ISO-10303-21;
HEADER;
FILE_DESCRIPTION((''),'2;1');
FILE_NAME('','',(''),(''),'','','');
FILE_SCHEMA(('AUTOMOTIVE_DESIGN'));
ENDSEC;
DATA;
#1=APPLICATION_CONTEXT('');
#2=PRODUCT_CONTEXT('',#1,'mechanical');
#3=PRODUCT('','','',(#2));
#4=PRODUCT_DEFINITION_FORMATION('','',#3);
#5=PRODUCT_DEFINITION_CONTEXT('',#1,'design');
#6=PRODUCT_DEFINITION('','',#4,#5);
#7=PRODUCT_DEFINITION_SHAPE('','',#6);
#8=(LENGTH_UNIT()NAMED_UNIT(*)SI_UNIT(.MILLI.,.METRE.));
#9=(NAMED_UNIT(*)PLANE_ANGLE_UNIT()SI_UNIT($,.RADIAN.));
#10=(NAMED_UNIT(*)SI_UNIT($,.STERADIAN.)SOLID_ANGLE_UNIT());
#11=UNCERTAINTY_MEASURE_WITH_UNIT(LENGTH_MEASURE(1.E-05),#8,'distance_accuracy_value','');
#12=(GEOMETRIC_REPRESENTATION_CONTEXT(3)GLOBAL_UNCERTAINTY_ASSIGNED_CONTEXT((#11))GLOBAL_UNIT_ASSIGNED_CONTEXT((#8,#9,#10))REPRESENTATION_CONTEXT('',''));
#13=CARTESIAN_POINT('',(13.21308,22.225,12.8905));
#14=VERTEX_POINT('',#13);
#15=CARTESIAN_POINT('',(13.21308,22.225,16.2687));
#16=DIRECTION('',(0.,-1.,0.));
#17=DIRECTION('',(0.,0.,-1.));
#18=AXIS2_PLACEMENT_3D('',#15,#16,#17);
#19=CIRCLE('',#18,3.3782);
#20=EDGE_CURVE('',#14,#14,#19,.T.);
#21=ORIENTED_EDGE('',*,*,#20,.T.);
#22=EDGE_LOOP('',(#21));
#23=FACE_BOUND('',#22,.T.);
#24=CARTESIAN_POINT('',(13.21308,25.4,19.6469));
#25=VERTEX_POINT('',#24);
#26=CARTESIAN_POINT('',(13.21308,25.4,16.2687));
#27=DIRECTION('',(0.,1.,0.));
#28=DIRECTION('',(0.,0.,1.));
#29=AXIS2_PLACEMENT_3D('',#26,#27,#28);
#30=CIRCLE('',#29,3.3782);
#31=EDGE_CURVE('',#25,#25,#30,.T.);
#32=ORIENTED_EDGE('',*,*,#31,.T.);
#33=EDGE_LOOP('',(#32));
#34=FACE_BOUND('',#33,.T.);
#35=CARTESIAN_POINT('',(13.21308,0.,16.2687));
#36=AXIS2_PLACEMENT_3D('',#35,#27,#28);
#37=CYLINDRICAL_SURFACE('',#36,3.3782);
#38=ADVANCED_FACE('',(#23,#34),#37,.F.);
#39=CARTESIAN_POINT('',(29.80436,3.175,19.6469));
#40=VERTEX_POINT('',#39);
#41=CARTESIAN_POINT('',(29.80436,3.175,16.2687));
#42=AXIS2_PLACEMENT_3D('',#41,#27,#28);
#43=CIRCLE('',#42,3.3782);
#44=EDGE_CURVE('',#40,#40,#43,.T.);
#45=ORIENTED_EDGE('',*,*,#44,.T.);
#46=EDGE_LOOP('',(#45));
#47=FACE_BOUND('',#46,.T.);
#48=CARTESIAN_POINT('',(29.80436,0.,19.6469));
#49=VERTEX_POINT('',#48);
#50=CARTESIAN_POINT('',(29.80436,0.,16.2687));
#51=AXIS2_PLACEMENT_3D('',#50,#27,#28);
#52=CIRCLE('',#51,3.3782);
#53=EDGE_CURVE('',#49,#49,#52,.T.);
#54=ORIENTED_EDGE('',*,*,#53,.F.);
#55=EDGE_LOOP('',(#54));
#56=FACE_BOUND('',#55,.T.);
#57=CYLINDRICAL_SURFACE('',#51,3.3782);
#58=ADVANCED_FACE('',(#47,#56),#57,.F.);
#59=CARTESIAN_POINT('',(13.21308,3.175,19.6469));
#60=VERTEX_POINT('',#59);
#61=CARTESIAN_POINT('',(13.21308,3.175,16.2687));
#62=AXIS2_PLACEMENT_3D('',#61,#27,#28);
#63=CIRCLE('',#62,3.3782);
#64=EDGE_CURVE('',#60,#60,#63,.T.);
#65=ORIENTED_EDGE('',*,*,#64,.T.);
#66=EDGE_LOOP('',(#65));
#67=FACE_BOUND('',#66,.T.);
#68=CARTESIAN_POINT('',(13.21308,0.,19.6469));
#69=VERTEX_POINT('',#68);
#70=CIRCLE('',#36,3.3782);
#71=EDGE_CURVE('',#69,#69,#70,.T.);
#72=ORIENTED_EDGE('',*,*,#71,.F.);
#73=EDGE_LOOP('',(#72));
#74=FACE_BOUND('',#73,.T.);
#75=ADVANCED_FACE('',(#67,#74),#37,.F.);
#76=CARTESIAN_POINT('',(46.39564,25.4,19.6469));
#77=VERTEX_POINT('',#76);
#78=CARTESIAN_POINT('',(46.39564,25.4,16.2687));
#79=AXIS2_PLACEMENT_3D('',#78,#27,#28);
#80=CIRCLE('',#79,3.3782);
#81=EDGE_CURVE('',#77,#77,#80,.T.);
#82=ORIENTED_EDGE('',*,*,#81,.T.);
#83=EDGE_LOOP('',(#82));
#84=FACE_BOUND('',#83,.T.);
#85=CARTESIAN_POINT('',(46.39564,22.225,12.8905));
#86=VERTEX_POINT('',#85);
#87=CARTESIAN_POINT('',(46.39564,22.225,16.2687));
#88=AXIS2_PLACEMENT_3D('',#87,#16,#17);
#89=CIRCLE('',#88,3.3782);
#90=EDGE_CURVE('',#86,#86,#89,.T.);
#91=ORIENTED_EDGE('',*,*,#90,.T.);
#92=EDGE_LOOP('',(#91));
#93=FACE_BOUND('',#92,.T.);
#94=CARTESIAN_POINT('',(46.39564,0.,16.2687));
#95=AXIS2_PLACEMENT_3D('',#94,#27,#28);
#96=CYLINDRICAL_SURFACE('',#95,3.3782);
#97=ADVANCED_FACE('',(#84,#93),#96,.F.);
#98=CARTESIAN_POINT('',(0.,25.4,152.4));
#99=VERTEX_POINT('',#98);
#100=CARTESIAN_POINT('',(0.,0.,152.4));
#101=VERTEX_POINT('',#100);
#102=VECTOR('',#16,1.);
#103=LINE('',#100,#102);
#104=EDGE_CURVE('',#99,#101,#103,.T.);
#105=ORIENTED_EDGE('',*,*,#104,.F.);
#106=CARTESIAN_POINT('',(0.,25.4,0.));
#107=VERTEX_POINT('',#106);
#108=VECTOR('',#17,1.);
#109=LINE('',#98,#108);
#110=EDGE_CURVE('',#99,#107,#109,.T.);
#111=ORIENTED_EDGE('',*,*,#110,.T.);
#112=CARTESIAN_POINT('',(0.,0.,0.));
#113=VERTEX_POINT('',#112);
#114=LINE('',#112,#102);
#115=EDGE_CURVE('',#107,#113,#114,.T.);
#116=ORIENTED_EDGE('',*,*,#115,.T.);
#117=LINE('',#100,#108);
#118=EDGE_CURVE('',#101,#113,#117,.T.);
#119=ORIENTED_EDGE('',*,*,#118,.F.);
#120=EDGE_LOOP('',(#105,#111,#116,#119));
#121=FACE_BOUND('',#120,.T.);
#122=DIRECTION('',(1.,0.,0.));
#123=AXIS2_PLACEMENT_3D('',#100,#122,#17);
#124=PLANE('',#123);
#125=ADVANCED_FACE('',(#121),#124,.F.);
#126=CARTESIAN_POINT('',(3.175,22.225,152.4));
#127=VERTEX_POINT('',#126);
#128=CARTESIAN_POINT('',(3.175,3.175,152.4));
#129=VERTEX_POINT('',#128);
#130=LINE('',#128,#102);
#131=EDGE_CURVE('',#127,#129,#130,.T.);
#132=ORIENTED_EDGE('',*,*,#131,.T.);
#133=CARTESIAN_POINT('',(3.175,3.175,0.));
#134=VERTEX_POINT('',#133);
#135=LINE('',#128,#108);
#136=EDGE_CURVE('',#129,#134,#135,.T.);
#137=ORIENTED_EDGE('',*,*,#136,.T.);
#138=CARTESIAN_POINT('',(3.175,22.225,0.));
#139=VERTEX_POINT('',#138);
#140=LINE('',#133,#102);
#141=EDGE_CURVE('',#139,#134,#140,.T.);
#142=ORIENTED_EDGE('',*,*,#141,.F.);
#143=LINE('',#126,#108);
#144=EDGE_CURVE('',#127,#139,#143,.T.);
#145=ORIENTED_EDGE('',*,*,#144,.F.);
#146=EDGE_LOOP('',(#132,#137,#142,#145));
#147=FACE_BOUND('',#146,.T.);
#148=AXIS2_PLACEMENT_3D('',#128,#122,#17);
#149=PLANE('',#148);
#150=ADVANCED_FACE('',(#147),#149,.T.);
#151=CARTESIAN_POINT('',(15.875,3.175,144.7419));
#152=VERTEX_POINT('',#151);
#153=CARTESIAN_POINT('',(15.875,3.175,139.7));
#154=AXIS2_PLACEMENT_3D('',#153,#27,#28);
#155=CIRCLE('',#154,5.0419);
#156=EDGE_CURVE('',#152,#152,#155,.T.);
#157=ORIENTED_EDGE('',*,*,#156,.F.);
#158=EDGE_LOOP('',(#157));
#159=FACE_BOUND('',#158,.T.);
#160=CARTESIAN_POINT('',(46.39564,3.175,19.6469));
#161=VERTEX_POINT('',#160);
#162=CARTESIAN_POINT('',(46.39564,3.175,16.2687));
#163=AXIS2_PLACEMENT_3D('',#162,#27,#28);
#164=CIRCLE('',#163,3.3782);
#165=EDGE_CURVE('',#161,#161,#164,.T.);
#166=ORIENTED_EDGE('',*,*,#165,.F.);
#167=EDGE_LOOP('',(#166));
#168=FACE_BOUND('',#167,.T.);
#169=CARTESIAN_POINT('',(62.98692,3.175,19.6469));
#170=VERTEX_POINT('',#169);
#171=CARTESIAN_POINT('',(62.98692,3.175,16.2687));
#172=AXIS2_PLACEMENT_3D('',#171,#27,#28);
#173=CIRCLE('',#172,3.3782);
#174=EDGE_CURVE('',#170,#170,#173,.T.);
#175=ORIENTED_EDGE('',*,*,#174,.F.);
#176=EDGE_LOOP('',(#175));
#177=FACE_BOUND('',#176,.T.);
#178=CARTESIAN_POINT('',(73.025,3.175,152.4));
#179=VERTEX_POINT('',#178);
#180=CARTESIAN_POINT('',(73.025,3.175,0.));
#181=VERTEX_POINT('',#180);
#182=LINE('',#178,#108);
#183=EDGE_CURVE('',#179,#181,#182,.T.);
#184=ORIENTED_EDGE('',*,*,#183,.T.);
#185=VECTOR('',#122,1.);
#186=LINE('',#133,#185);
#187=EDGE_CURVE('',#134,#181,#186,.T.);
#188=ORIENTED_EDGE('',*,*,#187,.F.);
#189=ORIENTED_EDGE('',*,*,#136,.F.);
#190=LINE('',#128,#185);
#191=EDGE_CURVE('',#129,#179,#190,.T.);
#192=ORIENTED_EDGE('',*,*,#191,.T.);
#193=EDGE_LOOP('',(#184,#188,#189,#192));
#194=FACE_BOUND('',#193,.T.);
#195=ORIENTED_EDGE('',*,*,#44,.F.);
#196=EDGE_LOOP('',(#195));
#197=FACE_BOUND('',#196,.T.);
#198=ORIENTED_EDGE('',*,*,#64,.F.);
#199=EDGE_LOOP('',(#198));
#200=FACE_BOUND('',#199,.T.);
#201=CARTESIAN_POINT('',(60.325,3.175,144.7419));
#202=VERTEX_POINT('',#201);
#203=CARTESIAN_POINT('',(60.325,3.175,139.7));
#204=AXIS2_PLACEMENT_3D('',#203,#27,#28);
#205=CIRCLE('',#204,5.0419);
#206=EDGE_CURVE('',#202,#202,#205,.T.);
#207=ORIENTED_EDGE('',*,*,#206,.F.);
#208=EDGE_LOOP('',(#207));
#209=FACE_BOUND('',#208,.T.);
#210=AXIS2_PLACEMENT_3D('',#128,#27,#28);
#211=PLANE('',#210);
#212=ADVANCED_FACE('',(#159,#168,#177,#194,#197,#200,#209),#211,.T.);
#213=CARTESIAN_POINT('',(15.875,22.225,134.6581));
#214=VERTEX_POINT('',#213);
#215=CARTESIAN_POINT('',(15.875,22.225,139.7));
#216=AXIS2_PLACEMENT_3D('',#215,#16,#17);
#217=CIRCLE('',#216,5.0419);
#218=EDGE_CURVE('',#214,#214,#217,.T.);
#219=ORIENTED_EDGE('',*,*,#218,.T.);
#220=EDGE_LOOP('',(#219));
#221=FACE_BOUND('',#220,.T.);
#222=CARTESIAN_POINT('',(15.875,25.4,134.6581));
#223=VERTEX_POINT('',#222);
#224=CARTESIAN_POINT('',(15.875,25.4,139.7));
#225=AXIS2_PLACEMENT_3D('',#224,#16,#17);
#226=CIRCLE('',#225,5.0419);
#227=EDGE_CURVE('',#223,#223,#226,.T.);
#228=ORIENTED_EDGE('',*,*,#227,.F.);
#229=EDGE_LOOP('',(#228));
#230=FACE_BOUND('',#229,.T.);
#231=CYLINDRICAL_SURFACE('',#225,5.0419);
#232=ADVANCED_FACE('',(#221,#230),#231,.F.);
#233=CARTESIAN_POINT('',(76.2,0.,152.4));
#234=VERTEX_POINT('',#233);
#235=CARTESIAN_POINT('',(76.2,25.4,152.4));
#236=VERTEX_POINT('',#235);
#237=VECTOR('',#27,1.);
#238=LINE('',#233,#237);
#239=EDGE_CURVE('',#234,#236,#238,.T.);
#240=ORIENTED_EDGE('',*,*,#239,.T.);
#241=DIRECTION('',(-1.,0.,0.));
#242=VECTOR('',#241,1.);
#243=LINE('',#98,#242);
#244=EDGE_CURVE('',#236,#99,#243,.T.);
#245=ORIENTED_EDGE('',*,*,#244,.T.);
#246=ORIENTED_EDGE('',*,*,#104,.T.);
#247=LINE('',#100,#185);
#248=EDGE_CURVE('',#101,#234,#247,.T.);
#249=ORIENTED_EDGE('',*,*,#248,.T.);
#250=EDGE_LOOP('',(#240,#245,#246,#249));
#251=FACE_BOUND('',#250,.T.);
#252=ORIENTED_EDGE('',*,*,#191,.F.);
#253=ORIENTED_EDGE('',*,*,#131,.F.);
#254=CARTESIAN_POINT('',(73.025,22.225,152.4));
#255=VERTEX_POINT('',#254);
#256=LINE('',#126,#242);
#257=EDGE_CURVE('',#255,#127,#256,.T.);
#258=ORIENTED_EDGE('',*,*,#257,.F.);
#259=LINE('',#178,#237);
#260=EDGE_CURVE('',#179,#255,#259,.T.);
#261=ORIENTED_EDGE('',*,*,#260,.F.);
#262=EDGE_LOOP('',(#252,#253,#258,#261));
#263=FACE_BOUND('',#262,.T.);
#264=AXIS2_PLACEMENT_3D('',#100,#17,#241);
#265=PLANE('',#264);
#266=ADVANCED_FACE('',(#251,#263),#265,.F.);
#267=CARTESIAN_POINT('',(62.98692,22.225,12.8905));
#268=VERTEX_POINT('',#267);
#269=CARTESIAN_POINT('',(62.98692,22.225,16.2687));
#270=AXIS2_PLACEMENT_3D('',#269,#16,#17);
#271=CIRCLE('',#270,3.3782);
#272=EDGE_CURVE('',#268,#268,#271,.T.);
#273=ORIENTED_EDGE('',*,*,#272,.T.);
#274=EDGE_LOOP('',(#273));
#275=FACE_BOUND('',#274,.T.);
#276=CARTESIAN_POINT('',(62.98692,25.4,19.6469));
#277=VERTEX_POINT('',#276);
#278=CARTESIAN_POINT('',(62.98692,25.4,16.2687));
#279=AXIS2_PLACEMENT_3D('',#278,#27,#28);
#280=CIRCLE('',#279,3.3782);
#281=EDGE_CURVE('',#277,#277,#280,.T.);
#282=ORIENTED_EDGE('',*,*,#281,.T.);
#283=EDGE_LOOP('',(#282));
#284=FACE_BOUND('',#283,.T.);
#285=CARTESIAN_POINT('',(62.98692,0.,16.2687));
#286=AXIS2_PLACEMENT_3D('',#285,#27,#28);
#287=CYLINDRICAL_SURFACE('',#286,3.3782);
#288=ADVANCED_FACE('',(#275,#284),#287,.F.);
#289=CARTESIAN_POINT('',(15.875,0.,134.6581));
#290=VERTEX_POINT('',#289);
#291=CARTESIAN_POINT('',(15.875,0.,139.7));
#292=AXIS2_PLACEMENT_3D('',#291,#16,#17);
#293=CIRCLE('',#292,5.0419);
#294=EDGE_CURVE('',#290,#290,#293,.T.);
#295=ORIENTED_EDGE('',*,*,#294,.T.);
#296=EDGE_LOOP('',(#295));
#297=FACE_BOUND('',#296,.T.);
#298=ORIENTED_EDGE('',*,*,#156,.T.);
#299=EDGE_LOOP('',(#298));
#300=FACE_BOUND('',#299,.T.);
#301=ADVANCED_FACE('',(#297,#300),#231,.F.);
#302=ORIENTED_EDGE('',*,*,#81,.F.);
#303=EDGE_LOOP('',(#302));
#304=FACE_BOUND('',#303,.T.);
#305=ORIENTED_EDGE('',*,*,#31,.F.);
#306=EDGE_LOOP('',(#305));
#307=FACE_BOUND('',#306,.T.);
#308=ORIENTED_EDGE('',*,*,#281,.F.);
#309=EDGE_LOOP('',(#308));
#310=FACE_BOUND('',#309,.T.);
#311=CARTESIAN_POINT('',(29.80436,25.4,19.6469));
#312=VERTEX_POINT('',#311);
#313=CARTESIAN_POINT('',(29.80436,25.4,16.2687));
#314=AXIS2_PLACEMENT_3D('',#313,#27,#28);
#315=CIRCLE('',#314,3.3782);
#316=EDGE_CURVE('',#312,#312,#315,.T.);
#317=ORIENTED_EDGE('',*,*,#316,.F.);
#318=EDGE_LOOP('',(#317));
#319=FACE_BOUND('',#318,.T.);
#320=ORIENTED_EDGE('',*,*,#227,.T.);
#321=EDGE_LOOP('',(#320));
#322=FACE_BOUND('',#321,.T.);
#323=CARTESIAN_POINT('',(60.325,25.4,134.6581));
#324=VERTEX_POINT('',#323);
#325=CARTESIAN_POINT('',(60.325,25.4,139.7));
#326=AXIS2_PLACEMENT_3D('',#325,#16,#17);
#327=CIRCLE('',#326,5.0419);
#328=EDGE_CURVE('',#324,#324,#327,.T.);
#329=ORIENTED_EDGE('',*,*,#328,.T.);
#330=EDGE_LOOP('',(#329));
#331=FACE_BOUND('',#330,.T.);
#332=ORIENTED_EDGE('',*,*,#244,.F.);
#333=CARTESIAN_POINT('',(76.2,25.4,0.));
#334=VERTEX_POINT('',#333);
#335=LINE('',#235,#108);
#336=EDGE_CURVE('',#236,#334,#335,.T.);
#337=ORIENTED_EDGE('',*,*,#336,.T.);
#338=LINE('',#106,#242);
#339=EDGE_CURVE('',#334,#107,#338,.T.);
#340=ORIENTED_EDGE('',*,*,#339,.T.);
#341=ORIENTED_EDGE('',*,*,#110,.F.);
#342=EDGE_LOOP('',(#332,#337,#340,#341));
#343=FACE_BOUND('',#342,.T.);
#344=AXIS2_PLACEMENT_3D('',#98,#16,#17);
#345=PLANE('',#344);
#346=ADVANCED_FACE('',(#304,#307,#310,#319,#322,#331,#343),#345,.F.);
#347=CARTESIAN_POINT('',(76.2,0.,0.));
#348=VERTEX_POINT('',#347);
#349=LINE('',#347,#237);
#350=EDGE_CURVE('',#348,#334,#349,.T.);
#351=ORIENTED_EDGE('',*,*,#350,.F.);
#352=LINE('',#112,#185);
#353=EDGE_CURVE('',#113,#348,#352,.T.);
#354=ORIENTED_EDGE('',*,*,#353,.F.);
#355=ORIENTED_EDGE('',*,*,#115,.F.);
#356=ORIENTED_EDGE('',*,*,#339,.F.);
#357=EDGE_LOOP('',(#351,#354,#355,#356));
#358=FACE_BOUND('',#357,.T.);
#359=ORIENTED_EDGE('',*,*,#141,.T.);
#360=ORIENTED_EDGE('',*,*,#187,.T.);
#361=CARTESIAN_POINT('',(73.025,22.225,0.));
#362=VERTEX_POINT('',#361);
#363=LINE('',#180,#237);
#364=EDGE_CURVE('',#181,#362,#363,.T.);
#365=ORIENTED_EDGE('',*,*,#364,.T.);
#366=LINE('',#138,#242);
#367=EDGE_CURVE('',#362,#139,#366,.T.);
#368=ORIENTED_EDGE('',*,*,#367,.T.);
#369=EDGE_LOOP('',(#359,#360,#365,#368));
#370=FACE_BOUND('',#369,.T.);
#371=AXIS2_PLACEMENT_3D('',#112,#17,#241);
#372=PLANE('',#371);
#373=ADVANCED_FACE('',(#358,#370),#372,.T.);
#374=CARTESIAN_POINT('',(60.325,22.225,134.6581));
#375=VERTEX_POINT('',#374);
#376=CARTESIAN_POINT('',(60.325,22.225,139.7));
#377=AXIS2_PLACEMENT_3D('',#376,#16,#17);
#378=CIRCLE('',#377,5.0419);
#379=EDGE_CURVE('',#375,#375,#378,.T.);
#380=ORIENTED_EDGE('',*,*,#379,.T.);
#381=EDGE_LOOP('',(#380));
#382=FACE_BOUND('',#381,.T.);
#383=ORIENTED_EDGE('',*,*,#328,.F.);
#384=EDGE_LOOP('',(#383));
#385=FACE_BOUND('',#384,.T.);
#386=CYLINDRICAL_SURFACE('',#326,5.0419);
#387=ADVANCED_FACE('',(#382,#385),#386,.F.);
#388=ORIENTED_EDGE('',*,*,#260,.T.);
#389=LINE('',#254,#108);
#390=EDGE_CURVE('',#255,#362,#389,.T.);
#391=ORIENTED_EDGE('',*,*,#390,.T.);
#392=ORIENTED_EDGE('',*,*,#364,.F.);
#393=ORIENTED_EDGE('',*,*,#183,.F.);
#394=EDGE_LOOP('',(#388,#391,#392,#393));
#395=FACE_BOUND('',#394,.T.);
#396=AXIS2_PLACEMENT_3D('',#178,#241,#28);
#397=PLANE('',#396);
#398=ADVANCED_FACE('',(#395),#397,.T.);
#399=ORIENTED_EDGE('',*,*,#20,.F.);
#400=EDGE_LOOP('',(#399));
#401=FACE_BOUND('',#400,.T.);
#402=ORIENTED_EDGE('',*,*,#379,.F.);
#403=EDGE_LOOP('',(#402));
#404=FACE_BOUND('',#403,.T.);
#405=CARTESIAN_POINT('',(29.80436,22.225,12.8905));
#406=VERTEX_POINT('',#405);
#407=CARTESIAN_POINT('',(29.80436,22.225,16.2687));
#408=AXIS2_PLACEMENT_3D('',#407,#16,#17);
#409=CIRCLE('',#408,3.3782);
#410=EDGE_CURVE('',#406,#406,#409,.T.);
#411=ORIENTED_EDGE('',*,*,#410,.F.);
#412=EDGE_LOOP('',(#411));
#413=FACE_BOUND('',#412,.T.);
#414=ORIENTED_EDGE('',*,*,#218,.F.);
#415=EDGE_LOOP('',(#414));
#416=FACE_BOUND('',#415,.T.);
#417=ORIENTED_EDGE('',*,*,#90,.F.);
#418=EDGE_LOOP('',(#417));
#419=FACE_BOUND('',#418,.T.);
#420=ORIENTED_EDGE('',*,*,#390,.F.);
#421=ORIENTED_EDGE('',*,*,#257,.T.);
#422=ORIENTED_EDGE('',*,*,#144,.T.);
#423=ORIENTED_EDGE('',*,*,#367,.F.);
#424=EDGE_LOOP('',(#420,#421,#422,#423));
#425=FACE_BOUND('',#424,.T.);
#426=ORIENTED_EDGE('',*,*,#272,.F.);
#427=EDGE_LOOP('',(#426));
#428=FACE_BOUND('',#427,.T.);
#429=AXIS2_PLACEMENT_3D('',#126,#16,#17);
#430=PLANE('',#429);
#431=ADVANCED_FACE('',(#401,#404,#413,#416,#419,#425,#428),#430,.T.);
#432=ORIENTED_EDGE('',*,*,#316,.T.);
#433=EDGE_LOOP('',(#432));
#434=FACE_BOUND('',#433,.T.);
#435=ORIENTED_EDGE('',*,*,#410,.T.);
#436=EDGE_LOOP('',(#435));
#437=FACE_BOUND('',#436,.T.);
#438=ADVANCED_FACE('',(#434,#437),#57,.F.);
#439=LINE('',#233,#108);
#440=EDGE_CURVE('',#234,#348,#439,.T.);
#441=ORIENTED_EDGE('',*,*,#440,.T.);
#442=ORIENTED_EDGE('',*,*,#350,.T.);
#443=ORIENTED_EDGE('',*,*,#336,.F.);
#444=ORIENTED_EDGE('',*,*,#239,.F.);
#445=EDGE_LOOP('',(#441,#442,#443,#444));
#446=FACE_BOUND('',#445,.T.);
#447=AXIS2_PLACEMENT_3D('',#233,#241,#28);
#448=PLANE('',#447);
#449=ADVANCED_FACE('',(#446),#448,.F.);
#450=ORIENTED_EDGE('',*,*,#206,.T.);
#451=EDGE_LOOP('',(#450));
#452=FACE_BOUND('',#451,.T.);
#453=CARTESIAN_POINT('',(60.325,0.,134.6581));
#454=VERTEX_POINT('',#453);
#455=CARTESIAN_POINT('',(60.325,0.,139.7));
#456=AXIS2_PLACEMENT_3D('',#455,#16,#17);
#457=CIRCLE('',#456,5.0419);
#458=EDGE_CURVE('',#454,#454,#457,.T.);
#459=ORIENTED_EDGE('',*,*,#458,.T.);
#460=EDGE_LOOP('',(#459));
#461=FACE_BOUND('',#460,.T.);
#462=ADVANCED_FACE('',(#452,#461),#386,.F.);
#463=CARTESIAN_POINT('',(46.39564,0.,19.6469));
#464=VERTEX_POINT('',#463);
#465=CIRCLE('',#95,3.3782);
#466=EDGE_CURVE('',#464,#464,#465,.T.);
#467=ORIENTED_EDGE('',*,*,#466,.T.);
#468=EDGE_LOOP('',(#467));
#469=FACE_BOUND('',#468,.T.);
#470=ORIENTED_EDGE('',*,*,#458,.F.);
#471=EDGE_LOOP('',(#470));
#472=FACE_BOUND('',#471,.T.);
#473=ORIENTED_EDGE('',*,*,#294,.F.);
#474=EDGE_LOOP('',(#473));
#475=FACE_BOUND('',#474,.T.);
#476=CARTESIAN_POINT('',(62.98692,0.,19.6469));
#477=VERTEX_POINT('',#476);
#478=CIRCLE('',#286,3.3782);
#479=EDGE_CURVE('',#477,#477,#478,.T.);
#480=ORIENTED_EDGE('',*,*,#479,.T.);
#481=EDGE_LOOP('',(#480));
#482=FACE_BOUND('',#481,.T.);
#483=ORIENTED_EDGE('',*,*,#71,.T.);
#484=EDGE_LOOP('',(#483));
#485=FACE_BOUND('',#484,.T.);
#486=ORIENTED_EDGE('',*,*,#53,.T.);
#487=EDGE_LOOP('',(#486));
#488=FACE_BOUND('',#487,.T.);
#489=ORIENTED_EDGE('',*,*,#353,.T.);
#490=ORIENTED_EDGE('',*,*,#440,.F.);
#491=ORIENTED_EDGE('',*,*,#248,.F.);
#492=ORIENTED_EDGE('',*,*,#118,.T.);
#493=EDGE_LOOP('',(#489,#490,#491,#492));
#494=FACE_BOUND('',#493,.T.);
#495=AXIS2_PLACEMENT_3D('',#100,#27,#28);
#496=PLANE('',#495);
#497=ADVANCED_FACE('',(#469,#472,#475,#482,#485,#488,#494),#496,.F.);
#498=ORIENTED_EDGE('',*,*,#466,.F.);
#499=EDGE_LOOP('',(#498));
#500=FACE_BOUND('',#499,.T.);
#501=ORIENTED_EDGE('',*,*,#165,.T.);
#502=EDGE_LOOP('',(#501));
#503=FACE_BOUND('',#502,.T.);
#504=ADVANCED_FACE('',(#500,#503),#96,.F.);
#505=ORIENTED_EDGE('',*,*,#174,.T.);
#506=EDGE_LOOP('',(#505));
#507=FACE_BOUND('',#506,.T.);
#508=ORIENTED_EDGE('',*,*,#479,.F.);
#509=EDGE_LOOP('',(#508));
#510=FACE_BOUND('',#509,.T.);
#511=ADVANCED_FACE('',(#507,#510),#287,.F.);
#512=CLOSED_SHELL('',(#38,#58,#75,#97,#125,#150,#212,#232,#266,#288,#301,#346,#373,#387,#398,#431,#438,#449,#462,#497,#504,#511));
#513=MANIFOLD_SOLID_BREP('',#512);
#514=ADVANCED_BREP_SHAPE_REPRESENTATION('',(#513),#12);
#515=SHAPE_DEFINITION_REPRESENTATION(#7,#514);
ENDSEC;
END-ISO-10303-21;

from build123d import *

# Parameters (mm, degrees)
SKETCH1_W           = 76.2
SKETCH1_H           = 25.4
SKETCH1_W_2         = 69.85
SKETCH1_H_2         = 19.05
BOSS_EXTRUDE1_DEPTH = 152.4
SKETCH2_R           = 3.3782
CUT_EXTRUDE1_DEPTH  = 26.4
SKETCH3_R           = 5.0419
CUT_EXTRUDE2_DEPTH  = 26.4


with BuildPart() as part:
    # Sketch1 → Boss-Extrude1 (new body)
    with BuildSketch(Plane.XY):
        with Locations((38.1, 12.7)):
            Rectangle(SKETCH1_W, SKETCH1_H)
        with Locations((38.1, 12.7)):
            Rectangle(SKETCH1_W_2, SKETCH1_H_2, mode=Mode.SUBTRACT)
    extrude(amount=BOSS_EXTRUDE1_DEPTH)

    # Sketch2 → Cut-Extrude1 (cut, through all)
    with BuildSketch(Plane(origin=(0, 25.4, 0), x_dir=(1, 0, 0), z_dir=(0, 1, 0))):
        with Locations((13.21308, -16.2687)):
            Circle(SKETCH2_R)
        with Locations((29.80436, -16.2687)):
            Circle(SKETCH2_R)
        with Locations((46.39564, -16.2687)):
            Circle(SKETCH2_R)
        with Locations((62.98692, -16.2687)):
            Circle(SKETCH2_R)
    extrude(amount=-CUT_EXTRUDE1_DEPTH, mode=Mode.SUBTRACT)

    # Sketch3 → Cut-Extrude2 (cut, through all)
    with BuildSketch(Plane.XZ):
        with Locations((60.325, 139.7)):
            Circle(SKETCH3_R)
        with Locations((15.875, 139.7)):
            Circle(SKETCH3_R)
    extrude(amount=-CUT_EXTRUDE2_DEPTH, mode=Mode.SUBTRACT)


solid = part.part
